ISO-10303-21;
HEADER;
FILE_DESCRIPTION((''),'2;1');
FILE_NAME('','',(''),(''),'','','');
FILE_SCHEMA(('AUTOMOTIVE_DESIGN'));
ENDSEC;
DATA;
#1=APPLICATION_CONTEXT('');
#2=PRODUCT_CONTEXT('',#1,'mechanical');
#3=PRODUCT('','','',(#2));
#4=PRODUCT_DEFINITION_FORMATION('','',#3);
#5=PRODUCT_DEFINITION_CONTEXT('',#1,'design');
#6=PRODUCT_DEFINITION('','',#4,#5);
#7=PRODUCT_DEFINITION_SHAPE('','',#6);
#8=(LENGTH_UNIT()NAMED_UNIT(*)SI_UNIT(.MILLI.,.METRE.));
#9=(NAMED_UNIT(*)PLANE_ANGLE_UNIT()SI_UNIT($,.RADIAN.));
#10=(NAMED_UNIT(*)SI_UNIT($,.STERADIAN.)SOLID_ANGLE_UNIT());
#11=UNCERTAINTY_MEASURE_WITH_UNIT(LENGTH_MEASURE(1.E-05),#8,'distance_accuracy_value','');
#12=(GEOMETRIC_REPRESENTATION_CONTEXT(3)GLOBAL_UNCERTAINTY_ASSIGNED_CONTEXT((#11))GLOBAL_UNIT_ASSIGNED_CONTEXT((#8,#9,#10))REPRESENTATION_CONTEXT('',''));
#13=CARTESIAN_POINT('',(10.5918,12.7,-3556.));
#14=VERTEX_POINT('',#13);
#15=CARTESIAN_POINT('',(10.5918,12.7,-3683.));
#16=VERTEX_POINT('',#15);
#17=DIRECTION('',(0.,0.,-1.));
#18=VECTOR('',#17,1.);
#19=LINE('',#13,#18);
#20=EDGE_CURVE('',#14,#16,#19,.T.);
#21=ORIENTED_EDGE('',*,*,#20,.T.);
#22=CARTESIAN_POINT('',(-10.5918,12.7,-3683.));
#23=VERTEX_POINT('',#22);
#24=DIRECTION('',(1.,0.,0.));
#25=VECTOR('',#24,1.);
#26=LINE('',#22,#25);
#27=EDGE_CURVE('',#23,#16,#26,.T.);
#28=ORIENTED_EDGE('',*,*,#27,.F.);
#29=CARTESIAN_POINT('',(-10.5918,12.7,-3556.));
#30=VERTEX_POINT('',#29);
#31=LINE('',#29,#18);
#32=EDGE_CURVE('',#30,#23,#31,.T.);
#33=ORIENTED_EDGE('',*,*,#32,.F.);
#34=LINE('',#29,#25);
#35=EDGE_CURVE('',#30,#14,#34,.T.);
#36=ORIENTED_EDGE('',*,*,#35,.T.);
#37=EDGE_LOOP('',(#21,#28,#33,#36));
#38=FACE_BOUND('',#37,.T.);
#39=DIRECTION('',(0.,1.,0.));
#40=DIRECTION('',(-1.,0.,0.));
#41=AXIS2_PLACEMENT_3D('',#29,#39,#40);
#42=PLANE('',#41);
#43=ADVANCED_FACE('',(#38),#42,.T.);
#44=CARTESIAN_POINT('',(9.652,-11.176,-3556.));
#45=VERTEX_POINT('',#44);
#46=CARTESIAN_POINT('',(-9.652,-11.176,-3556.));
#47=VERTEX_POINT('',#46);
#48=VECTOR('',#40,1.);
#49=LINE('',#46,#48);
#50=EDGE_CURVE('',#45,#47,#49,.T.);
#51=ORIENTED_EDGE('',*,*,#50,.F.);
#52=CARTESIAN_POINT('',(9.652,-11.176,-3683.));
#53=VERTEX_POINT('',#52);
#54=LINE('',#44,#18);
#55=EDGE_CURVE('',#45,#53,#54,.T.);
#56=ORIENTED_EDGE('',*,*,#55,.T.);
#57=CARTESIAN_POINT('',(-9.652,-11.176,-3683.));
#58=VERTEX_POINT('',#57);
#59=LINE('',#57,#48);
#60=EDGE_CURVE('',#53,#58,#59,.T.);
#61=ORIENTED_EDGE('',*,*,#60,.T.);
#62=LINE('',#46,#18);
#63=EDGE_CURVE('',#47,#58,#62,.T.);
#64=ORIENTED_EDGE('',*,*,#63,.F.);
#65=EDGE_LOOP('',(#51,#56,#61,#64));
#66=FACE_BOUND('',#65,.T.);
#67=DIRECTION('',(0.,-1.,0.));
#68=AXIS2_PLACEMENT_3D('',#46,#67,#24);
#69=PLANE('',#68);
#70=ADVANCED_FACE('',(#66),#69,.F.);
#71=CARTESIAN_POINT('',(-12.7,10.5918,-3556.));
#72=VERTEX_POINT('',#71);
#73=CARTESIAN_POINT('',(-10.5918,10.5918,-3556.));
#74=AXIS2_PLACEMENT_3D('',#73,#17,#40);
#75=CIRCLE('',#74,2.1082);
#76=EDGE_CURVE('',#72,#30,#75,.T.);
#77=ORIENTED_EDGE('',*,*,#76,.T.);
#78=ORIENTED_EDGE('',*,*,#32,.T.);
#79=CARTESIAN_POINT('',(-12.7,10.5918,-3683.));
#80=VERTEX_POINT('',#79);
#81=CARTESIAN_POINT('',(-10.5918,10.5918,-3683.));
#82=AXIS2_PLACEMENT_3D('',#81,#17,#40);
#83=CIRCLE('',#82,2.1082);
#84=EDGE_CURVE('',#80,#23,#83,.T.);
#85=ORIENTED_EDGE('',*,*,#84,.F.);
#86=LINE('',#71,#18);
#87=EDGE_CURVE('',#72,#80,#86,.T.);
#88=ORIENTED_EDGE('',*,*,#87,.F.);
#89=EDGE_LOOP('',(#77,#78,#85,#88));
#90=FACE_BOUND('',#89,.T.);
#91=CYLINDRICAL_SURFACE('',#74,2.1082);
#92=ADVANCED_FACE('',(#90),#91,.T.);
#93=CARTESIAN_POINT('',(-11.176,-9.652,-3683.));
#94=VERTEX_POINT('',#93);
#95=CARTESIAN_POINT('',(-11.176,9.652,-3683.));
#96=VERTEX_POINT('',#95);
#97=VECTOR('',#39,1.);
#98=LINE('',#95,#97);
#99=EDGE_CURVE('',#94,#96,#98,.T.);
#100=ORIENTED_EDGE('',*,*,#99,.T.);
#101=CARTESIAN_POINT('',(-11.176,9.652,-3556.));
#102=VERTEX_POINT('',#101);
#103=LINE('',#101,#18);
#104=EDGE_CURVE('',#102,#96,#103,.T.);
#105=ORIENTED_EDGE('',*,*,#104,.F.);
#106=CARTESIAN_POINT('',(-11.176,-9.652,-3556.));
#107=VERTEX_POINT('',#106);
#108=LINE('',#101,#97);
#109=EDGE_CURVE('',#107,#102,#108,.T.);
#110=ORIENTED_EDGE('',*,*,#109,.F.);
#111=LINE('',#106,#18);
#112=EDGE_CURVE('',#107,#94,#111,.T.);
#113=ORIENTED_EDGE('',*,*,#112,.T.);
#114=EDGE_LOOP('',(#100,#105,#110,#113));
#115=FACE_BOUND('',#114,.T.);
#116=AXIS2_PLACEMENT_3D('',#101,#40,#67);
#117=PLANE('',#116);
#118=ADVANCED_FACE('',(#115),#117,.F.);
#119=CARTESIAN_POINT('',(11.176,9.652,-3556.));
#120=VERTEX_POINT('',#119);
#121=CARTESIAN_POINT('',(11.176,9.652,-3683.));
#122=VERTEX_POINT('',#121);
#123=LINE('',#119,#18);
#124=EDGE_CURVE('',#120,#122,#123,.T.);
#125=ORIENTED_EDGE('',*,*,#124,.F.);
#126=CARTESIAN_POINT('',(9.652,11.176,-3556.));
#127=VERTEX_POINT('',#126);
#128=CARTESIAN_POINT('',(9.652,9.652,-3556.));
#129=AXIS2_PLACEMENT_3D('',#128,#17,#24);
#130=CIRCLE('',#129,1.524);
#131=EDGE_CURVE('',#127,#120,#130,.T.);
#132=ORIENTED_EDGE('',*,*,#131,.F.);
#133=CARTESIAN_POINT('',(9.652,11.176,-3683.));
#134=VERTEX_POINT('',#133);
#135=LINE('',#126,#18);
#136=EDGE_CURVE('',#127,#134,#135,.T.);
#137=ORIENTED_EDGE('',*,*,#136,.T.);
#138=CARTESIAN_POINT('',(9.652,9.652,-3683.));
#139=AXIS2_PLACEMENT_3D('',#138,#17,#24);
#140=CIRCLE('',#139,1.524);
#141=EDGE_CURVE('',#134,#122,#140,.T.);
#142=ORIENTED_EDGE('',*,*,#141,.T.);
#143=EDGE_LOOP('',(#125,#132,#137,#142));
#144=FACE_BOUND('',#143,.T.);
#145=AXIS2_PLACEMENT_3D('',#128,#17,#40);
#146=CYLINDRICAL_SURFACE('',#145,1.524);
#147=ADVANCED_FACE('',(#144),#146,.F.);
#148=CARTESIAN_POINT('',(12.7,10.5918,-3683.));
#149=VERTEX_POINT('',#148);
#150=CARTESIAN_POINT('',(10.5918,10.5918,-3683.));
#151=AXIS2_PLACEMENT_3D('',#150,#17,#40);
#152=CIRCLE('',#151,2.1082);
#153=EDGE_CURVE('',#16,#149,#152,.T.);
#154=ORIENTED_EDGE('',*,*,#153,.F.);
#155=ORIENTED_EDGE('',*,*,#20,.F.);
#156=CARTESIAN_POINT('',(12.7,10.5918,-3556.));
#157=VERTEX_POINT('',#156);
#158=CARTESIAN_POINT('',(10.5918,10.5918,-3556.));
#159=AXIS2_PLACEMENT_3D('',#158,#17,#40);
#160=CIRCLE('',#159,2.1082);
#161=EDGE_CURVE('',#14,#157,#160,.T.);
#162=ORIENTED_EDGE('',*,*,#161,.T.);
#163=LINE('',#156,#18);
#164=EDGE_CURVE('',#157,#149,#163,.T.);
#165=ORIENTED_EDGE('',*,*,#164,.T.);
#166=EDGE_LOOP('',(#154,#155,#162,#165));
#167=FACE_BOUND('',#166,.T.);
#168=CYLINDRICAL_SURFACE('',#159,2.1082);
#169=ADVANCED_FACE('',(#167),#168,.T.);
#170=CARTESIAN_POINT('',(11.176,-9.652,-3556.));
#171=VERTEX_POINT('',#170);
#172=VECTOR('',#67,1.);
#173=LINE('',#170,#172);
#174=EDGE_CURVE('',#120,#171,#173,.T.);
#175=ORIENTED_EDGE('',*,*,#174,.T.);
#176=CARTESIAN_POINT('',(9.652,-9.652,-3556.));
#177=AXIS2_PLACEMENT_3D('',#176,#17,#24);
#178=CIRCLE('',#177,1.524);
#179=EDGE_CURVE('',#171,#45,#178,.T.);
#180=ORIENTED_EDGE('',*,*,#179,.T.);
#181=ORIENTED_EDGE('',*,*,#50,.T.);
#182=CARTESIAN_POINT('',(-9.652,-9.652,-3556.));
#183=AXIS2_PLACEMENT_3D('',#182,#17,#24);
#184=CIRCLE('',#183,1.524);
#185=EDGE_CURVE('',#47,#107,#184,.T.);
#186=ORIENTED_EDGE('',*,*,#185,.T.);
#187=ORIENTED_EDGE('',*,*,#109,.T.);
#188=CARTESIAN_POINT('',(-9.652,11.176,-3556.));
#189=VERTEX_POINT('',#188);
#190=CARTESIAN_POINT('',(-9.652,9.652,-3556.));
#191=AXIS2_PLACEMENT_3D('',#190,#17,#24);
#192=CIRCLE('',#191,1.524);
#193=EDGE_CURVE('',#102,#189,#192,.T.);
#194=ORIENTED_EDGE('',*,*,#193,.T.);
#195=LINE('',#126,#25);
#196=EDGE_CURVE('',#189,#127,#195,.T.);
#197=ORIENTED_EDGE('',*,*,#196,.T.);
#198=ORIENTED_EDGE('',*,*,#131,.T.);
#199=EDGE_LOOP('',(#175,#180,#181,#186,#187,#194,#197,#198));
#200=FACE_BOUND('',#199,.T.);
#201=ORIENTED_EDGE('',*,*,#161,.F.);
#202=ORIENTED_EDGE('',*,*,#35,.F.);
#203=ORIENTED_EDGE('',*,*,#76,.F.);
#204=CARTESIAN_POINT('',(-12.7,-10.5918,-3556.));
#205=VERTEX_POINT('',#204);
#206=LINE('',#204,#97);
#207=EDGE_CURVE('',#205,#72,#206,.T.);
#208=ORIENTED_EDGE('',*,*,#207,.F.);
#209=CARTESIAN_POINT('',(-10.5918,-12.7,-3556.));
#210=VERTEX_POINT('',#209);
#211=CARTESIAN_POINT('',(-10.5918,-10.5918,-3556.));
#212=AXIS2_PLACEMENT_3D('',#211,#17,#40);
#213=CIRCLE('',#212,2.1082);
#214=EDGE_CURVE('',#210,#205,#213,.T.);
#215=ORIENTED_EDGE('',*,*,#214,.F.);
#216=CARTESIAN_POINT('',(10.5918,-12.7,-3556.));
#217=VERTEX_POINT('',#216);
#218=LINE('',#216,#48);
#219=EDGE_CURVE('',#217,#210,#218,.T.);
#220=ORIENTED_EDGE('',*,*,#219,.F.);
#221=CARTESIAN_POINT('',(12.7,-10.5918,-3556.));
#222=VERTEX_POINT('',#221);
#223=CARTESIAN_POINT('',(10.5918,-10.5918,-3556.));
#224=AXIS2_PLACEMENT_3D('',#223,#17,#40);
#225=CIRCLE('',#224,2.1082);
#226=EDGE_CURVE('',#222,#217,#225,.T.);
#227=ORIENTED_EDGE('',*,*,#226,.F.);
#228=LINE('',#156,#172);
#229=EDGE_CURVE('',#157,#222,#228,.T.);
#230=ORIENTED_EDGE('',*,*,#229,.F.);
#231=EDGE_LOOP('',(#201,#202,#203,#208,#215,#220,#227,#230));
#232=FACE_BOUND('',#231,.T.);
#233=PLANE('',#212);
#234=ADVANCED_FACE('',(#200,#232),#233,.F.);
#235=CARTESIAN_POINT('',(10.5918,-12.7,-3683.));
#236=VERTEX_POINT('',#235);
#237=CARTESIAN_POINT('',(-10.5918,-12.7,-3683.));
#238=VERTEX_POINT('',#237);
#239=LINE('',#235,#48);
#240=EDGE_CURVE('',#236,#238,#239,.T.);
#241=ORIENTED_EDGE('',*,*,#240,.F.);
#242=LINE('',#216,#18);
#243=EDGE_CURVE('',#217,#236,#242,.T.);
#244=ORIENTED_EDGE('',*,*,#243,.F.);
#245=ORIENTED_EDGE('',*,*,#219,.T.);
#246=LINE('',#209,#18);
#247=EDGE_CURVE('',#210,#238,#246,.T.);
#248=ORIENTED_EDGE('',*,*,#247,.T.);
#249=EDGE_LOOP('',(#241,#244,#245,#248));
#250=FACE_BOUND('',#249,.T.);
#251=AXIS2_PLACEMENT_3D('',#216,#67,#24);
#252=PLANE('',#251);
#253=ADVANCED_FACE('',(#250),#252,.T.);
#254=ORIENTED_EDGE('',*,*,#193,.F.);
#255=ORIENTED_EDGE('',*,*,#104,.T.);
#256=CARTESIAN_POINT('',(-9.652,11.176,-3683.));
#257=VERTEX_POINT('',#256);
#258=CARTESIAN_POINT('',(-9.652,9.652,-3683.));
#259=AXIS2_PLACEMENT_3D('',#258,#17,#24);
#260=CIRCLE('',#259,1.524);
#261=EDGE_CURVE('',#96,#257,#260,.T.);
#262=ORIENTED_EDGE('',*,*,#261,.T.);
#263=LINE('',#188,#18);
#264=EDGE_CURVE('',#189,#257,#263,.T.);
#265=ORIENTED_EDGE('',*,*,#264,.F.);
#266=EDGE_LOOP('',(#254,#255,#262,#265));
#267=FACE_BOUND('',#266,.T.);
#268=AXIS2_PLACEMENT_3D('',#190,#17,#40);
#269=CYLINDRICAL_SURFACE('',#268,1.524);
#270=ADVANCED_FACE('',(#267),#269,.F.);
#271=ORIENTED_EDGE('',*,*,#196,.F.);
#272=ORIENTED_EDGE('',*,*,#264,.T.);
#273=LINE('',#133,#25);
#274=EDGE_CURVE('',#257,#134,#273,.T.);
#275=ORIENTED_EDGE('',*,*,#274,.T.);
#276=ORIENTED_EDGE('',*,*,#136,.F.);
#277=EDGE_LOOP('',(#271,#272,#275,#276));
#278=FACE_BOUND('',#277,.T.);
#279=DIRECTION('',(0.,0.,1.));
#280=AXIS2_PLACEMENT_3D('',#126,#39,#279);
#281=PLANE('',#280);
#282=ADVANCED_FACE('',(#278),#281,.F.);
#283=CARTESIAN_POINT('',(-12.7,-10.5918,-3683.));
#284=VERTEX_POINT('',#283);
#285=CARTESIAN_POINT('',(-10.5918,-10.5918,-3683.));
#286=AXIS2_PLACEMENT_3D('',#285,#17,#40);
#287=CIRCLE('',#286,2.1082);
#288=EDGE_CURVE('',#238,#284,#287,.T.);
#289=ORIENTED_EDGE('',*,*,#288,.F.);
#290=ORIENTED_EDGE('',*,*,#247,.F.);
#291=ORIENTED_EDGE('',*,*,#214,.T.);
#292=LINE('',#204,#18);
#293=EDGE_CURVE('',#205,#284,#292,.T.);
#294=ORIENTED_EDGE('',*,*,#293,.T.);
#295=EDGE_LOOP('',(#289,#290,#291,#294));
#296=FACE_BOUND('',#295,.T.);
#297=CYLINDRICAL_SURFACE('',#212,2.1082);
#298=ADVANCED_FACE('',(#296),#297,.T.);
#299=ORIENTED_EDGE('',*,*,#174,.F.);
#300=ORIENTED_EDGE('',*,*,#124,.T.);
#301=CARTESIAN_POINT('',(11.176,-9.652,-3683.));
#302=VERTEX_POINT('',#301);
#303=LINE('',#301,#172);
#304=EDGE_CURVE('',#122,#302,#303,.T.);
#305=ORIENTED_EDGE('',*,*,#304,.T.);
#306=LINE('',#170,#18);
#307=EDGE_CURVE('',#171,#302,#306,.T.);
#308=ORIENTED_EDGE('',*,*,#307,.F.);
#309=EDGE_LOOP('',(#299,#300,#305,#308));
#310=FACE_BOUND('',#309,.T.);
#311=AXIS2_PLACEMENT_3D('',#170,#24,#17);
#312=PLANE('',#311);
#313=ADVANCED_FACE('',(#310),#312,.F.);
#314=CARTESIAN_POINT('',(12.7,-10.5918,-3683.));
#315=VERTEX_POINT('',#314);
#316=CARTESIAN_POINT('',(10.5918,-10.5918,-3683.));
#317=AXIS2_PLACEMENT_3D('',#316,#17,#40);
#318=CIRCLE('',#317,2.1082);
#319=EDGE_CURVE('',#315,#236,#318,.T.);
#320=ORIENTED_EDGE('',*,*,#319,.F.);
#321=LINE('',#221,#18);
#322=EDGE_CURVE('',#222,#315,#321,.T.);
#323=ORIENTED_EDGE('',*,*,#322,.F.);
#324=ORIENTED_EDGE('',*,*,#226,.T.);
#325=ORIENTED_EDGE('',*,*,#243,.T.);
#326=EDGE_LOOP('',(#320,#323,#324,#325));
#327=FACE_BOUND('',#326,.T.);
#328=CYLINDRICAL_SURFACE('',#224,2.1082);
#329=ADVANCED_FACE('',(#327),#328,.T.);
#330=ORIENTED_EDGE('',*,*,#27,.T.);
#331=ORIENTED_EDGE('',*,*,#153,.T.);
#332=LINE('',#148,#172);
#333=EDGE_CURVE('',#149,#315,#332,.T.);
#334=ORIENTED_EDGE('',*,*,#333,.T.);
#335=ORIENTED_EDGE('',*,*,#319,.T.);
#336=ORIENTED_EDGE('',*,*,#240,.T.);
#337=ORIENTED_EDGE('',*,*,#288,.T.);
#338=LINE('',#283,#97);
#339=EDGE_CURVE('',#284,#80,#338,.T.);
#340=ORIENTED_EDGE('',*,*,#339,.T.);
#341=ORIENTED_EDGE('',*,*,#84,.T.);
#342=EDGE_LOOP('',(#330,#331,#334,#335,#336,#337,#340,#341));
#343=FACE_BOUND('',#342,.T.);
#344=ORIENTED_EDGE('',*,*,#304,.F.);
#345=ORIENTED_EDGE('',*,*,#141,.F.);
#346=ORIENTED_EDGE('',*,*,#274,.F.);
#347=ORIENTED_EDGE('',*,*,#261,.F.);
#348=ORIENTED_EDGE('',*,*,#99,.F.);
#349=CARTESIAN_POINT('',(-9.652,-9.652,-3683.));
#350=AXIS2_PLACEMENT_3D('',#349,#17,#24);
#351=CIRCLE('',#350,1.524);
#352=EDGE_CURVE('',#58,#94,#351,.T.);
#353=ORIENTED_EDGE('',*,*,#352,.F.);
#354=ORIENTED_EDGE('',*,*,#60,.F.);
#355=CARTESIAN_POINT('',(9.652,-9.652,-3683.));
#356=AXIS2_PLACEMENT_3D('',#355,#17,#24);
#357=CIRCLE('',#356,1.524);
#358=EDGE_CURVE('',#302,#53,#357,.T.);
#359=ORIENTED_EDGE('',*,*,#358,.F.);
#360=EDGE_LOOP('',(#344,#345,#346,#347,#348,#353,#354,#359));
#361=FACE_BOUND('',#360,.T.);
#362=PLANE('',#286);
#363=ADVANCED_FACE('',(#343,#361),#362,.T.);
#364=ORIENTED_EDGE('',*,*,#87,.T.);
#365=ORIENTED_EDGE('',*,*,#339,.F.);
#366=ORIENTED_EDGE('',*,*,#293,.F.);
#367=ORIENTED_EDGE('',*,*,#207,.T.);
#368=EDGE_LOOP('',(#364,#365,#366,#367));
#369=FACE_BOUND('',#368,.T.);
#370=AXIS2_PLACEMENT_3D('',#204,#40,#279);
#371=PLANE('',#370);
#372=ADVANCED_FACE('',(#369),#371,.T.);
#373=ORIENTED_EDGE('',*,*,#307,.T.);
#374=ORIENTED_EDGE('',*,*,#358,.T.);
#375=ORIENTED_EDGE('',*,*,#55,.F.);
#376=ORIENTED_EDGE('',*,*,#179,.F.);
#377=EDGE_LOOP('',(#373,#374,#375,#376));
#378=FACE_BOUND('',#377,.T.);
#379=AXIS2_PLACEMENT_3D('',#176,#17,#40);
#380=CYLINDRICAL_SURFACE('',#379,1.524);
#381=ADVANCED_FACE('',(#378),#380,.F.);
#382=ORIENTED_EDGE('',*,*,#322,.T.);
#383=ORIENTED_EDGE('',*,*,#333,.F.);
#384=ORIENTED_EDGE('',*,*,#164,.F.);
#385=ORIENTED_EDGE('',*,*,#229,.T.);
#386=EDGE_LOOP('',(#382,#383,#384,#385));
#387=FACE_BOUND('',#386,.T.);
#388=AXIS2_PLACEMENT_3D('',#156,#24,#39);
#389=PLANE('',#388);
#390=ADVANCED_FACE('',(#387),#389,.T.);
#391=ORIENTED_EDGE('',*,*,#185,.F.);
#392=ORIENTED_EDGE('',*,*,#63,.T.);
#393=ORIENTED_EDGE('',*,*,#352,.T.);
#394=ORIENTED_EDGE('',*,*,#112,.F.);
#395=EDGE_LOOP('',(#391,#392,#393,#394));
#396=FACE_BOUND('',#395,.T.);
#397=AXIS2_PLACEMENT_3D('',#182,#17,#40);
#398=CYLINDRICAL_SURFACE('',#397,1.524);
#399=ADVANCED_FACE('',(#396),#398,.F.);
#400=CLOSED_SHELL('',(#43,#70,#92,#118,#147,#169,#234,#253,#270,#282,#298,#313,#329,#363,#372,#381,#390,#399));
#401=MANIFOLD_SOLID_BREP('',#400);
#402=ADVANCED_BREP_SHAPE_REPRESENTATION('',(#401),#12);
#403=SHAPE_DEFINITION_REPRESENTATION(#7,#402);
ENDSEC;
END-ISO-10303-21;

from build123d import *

# Parameters (mm, degrees)
BOSS_EXTRUDE1_DEPTH = 127


with BuildPart() as part:
    # Sketch1 → Boss-Extrude1 (new body)
    with BuildSketch(Plane(origin=(0, 0, -3683), x_dir=(-1, 0, 0), z_dir=(0, 0, -1))):
        with BuildLine():
            Line((12.7, -10.5918), (12.7, 10.5918))
            ThreePointArc((12.7, 10.5918), (12.082522516, 12.082522516), (10.5918, 12.7))
            Line((10.5918, 12.7), (-10.5918, 12.7))
            ThreePointArc((-10.5918, 12.7), (-12.082522516, 12.082522516), (-12.7, 10.5918))
            Line((-12.7, 10.5918), (-12.7, -10.5918))
            ThreePointArc((-12.7, -10.5918), (-12.082522516, -12.082522516), (-10.5918, -12.7))
            Line((-10.5918, -12.7), (10.5918, -12.7))
            ThreePointArc((10.5918, -12.7), (12.082522516, -12.082522516), (12.7, -10.5918))
        make_face()
        with BuildLine():
            Line((11.176, 9.652), (11.176, -9.652))
            ThreePointArc((11.176, -9.652), (10.729630735, -10.729630735), (9.652, -11.176))
            Line((9.652, -11.176), (-9.652, -11.176))
            ThreePointArc((-9.652, -11.176), (-10.729630735, -10.729630735), (-11.176, -9.652))
            Line((-11.176, -9.652), (-11.176, 9.652))
            ThreePointArc((-11.176, 9.652), (-10.729630735, 10.729630735), (-9.652, 11.176))
            Line((-9.652, 11.176), (9.652, 11.176))
            ThreePointArc((9.652, 11.176), (10.729630735, 10.729630735), (11.176, 9.652))
        make_face(mode=Mode.SUBTRACT)
    extrude(amount=-BOSS_EXTRUDE1_DEPTH)


solid = part.part
